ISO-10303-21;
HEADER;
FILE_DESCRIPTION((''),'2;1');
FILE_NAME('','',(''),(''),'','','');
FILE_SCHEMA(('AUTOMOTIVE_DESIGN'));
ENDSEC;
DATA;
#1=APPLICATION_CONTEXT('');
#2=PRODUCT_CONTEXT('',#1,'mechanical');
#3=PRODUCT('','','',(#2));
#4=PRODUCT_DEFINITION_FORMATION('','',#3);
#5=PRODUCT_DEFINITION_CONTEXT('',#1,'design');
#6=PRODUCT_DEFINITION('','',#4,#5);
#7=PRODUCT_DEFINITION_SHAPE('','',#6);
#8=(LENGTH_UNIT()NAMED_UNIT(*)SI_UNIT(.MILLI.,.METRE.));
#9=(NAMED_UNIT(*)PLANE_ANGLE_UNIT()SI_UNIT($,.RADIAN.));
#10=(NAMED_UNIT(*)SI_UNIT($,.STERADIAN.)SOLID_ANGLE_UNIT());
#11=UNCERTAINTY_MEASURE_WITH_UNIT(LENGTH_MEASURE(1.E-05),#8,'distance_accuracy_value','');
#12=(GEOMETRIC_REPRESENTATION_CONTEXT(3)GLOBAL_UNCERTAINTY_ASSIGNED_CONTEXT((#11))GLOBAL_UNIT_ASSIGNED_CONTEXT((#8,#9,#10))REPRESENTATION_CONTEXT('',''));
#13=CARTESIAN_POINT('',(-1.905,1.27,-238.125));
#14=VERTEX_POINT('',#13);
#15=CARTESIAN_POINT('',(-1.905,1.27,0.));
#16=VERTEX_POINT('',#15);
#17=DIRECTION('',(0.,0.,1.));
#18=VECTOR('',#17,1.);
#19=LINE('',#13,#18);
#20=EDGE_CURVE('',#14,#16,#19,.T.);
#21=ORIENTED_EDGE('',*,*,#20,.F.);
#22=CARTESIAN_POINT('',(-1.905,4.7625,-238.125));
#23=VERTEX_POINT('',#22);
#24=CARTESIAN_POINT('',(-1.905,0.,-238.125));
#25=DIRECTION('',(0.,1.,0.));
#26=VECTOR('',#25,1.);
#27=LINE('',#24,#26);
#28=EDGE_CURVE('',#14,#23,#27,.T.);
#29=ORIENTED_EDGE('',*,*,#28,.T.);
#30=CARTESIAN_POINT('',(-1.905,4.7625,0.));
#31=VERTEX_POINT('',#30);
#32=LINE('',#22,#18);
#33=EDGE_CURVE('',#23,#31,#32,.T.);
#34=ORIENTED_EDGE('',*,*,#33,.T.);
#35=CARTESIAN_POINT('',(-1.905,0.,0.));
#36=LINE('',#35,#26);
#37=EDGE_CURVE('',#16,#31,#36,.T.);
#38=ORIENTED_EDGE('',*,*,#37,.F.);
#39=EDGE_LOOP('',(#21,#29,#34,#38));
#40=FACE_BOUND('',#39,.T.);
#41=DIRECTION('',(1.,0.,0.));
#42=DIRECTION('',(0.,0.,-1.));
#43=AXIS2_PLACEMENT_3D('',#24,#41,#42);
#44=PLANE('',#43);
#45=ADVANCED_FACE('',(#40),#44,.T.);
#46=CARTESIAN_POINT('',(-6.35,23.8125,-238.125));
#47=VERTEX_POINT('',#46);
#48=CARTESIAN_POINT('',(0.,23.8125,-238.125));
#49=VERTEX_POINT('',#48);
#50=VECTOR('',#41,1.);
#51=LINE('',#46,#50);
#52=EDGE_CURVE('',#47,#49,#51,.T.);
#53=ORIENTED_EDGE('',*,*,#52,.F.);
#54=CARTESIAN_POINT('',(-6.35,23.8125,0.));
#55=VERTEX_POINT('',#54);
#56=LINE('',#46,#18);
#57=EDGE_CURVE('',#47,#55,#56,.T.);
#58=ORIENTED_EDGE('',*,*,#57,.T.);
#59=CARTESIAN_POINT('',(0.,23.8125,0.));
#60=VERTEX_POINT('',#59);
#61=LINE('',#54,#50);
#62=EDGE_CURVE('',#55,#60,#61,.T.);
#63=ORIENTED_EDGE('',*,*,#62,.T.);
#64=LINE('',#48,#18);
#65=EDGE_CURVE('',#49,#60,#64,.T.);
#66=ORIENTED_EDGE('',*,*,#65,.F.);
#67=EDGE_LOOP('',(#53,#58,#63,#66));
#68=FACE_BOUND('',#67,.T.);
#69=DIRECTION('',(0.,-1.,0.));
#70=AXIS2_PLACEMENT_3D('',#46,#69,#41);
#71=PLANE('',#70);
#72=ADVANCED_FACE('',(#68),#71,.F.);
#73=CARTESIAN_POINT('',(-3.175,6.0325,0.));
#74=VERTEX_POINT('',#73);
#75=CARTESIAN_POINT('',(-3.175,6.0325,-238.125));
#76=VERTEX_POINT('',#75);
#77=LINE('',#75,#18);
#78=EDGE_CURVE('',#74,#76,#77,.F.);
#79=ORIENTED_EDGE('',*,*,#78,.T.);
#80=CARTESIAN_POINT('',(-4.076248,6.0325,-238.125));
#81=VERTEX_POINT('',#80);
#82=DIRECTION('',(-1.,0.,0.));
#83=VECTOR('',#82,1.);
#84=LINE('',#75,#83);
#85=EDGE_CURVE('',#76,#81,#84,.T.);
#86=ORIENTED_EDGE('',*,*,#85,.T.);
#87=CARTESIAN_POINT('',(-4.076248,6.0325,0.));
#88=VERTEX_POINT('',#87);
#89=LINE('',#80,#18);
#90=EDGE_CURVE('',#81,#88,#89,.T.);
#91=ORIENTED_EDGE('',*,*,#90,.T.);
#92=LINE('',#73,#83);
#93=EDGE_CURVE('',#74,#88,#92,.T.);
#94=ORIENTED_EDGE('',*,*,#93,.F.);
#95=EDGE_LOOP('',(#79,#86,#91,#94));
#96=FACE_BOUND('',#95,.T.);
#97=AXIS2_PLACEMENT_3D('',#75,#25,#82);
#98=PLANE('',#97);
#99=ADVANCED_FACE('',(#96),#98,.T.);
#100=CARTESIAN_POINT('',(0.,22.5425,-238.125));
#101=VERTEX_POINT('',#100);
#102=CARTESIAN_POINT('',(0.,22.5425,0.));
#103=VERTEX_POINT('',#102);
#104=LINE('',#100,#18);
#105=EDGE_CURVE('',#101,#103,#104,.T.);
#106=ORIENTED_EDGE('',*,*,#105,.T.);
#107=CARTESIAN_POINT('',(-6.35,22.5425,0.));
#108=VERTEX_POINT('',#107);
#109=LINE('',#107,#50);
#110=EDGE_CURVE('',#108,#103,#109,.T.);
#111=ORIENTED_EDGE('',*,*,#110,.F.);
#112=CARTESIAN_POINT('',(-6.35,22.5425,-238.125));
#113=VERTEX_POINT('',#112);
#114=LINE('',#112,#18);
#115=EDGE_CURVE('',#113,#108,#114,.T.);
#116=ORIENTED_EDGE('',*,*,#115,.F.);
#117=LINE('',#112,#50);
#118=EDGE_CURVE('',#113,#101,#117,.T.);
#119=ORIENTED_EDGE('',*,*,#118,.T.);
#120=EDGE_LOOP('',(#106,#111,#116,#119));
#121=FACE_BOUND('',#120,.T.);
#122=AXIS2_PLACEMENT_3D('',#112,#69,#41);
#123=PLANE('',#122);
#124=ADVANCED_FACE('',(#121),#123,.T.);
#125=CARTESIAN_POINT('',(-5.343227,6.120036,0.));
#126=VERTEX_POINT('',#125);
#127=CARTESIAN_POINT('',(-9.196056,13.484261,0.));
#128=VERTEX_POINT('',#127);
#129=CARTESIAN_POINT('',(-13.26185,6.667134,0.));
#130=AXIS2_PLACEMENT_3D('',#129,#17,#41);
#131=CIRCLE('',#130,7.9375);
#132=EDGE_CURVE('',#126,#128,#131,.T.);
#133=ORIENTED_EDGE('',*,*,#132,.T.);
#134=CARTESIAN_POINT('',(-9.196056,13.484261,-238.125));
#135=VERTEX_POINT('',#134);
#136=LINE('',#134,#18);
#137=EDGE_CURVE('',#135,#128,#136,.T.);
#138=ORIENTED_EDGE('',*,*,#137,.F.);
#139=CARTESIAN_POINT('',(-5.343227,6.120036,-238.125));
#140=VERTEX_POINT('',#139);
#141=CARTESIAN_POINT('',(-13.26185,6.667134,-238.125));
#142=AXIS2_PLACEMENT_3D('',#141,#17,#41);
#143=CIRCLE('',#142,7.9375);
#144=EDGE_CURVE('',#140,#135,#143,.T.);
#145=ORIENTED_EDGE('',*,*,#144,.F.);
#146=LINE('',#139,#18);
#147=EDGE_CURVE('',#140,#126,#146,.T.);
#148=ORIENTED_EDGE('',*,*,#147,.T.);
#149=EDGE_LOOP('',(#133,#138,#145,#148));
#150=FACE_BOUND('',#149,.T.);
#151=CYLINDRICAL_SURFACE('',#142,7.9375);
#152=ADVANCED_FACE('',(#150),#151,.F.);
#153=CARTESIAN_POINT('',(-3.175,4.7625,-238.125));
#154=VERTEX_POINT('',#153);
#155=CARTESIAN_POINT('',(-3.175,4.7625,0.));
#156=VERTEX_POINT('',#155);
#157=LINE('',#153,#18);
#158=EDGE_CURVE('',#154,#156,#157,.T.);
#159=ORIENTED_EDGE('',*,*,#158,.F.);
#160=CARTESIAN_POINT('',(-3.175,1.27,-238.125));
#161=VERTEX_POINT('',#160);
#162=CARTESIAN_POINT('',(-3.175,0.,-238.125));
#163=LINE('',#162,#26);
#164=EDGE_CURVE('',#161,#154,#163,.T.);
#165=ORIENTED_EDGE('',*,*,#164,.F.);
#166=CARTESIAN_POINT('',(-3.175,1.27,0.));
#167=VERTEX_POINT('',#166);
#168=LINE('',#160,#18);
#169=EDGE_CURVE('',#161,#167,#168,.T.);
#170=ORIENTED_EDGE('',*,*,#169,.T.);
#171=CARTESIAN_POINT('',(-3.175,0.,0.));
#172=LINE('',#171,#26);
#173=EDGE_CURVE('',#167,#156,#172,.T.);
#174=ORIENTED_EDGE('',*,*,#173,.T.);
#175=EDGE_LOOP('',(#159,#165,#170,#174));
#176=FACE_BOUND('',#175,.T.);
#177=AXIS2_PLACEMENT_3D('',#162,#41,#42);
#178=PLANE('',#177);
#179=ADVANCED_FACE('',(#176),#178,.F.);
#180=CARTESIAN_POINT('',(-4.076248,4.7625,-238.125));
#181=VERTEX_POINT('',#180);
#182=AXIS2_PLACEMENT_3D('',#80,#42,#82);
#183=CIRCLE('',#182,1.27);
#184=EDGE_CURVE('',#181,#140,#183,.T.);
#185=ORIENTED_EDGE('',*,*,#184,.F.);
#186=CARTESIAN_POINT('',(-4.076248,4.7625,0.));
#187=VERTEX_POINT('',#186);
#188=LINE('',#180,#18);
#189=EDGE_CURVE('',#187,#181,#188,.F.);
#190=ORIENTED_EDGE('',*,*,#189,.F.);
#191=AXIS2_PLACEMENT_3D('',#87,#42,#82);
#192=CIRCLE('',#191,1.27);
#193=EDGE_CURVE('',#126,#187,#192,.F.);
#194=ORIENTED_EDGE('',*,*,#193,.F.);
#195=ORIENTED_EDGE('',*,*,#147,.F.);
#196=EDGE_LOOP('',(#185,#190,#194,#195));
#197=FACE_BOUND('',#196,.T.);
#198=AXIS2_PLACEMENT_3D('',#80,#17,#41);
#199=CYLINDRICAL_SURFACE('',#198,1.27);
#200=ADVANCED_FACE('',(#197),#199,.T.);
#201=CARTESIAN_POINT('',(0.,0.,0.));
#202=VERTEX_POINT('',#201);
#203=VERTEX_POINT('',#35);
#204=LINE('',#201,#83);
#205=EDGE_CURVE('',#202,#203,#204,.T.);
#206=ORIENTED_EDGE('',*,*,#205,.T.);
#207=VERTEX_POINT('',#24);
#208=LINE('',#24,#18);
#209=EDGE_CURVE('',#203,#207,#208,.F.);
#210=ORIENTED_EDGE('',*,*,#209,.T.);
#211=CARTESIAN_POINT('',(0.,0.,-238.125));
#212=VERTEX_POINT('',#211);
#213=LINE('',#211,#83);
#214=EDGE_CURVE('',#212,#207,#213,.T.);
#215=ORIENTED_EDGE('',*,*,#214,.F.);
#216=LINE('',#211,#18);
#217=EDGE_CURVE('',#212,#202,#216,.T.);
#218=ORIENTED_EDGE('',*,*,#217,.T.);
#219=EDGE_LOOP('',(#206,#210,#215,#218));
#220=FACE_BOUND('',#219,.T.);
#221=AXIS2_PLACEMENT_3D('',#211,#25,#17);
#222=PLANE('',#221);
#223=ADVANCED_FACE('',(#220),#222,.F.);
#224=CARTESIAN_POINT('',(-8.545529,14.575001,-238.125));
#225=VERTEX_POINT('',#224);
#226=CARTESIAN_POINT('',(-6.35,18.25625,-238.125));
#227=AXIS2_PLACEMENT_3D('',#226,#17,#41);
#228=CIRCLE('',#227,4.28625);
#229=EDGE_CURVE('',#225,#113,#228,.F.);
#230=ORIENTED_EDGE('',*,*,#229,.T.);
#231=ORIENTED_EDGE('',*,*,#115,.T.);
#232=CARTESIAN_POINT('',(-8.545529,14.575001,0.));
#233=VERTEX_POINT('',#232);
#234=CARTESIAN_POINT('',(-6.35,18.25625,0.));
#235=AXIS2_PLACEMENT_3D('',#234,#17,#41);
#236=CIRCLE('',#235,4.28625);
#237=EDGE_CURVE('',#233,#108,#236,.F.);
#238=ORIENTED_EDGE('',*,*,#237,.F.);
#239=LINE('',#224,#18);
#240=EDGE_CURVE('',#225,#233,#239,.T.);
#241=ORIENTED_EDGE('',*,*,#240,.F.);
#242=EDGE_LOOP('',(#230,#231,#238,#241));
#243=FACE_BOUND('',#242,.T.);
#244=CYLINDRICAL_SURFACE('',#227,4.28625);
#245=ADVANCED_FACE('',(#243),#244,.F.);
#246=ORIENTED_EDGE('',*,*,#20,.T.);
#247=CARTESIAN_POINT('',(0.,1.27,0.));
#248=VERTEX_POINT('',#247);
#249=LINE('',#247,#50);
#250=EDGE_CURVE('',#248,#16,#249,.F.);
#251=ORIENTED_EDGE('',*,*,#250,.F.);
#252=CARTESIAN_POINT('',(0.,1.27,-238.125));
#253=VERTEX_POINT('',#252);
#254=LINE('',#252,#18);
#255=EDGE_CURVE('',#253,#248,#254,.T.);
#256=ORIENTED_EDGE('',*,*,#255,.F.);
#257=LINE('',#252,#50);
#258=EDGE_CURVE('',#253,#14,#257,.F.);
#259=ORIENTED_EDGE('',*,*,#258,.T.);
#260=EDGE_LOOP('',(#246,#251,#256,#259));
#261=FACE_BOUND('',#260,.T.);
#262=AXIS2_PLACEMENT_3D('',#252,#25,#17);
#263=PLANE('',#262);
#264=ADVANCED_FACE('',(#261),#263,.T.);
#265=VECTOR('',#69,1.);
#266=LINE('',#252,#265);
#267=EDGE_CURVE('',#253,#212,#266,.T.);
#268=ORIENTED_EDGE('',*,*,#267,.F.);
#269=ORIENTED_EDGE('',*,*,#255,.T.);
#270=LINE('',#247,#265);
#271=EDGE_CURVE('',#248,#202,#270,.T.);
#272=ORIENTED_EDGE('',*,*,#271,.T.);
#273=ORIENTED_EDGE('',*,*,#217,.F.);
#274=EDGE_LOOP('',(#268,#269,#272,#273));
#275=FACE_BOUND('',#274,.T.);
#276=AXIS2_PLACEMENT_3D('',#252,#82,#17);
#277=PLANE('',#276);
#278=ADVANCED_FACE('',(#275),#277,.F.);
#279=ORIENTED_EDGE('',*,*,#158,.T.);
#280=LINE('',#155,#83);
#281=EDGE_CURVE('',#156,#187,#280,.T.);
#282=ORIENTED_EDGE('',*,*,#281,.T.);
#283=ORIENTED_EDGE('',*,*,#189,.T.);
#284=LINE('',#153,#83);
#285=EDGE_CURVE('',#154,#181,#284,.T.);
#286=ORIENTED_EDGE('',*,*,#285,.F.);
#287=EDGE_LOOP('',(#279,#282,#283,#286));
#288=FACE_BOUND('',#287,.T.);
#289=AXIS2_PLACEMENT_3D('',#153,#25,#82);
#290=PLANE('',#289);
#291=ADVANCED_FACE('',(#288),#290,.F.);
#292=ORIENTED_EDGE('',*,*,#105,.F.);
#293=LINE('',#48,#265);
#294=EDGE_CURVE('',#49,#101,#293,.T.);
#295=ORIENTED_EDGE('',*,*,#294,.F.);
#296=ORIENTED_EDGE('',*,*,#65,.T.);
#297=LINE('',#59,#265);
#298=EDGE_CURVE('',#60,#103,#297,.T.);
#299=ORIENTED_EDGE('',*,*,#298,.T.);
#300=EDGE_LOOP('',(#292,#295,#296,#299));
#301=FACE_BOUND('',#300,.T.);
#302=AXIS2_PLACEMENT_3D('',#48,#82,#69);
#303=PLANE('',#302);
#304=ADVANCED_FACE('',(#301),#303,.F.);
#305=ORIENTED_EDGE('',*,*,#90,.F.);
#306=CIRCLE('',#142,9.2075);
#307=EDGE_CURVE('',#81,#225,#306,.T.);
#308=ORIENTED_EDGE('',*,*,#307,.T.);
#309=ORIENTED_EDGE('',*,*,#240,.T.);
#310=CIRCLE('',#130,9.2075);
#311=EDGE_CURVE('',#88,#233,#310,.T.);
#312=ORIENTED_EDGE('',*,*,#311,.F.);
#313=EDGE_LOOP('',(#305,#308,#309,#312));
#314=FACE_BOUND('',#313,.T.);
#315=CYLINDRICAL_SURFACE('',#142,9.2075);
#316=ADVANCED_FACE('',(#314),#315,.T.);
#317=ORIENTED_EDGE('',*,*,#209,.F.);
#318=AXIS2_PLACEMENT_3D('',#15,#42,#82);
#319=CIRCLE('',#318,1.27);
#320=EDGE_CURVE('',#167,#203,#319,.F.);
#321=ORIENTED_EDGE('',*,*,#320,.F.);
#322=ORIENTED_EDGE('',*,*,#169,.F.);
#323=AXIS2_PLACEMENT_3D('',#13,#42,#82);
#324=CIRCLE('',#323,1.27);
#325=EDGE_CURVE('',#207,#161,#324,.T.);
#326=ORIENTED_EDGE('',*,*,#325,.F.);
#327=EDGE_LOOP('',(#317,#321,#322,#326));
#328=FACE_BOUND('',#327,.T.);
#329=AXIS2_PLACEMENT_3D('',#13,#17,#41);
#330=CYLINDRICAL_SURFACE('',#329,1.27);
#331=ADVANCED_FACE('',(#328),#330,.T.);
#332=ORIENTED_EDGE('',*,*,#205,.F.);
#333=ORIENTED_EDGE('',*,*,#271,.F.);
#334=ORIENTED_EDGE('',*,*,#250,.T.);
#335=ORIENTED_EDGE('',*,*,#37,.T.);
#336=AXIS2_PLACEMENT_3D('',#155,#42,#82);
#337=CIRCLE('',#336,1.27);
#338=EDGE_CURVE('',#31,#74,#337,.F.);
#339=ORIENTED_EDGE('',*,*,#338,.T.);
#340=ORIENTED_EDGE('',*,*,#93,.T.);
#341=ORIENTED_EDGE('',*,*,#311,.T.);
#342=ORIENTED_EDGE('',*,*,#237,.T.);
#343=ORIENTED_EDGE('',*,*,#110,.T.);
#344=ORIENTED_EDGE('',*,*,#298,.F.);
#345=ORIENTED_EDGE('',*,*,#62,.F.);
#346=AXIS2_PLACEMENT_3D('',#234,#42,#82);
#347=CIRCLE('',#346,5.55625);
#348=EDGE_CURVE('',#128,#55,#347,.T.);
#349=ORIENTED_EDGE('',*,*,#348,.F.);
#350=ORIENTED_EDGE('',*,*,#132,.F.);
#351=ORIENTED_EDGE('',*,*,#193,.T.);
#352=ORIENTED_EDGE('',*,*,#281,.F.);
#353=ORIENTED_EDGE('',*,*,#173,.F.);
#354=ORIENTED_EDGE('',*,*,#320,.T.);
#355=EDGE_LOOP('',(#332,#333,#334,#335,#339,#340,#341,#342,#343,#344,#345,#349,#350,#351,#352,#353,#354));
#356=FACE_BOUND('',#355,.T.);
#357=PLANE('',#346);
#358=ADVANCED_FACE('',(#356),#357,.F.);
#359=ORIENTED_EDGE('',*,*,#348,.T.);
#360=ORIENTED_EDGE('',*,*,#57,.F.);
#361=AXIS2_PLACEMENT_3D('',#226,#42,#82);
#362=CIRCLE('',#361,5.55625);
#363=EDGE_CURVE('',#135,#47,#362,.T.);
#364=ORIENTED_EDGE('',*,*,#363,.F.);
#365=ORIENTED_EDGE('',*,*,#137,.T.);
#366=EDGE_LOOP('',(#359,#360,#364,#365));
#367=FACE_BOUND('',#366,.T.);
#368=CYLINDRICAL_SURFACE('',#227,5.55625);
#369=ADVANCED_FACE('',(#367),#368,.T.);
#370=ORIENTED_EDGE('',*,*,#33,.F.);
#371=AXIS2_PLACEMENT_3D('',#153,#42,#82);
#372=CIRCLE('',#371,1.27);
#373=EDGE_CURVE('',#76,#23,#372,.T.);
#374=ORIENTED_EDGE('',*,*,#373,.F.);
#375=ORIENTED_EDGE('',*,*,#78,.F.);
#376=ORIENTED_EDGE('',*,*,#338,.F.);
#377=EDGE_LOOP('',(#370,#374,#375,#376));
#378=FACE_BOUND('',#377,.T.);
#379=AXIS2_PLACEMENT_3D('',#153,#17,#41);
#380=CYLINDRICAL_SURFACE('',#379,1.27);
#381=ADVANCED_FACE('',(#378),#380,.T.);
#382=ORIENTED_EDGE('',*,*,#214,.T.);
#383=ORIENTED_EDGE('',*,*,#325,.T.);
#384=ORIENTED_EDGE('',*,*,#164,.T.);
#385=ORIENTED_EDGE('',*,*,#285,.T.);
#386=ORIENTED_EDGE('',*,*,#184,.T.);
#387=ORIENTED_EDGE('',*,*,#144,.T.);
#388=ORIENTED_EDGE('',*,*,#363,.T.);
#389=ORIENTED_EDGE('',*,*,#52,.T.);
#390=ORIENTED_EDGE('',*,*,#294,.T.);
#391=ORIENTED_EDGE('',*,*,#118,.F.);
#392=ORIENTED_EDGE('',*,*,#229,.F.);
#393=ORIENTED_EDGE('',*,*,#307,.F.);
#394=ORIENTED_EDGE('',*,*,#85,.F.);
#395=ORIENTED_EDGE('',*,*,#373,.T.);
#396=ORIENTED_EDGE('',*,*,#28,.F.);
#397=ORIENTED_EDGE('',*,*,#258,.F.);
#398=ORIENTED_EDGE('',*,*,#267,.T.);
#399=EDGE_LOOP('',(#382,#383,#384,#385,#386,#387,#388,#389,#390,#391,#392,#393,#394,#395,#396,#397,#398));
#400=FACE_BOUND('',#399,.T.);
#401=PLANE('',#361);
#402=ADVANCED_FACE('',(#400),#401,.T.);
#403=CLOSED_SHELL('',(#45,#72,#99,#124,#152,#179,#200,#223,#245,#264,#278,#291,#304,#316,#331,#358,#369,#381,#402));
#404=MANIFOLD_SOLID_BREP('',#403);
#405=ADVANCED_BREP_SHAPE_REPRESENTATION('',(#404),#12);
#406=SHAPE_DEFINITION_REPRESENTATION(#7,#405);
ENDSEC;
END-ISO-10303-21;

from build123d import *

# Parameters (mm, degrees)
EXTRUDE_THIN1_DEPTH = 238.125
FILLET1_R           = 1.27


with BuildPart() as part:
    # Sketch1 → Extrude-Thin1 (new body)
    with BuildSketch(Plane.XY):
        with BuildLine():
            Line((0, 0), (-3.175, 0))
            Line((-3.175, 0), (-3.175, 4.7625))
            Line((-3.175, 4.7625), (-5.55625, 4.7625))
            ThreePointArc((-5.55625, 4.7625), (-5.936639641, 9.724124929), (-9.196056015, 13.484260978))
            ThreePointArc((-9.196056015, 13.484260978), (-11.70659771, 19.732317421), (-6.35, 23.8125))
            Line((-6.35, 23.8125), (0, 23.8125))
            Line((0, 23.8125), (0, 22.5425))
            Line((0, 22.5425), (-6.35, 22.5425))
            ThreePointArc((-6.35, 22.5425), (-10.48223252, 19.394930582), (-8.545528926, 14.575001326))
            ThreePointArc((-8.545528926, 14.575001326), (-5.103452481, 10.935459111), (-4.076247664, 6.0325))
            Line((-4.076247664, 6.0325), (-1.905, 6.0325))
            Line((-1.905, 6.0325), (-1.905, 1.27))
            Line((-1.905, 1.27), (0, 1.27))
            Line((0, 1.27), (0, 0))
        make_face()
    extrude(amount=-EXTRUDE_THIN1_DEPTH)

    # Fillet1
    fillet1_edges = [part.edges().sort_by_distance(p)[0] for p in [
        (-1.905, 6.0325, -119.0625),
        (-3.175, 0, -119.0625),
        (-5.55625, 4.7625, -119.0625),
    ]]
    fillet(fillet1_edges, radius=FILLET1_R)


solid = part.part
